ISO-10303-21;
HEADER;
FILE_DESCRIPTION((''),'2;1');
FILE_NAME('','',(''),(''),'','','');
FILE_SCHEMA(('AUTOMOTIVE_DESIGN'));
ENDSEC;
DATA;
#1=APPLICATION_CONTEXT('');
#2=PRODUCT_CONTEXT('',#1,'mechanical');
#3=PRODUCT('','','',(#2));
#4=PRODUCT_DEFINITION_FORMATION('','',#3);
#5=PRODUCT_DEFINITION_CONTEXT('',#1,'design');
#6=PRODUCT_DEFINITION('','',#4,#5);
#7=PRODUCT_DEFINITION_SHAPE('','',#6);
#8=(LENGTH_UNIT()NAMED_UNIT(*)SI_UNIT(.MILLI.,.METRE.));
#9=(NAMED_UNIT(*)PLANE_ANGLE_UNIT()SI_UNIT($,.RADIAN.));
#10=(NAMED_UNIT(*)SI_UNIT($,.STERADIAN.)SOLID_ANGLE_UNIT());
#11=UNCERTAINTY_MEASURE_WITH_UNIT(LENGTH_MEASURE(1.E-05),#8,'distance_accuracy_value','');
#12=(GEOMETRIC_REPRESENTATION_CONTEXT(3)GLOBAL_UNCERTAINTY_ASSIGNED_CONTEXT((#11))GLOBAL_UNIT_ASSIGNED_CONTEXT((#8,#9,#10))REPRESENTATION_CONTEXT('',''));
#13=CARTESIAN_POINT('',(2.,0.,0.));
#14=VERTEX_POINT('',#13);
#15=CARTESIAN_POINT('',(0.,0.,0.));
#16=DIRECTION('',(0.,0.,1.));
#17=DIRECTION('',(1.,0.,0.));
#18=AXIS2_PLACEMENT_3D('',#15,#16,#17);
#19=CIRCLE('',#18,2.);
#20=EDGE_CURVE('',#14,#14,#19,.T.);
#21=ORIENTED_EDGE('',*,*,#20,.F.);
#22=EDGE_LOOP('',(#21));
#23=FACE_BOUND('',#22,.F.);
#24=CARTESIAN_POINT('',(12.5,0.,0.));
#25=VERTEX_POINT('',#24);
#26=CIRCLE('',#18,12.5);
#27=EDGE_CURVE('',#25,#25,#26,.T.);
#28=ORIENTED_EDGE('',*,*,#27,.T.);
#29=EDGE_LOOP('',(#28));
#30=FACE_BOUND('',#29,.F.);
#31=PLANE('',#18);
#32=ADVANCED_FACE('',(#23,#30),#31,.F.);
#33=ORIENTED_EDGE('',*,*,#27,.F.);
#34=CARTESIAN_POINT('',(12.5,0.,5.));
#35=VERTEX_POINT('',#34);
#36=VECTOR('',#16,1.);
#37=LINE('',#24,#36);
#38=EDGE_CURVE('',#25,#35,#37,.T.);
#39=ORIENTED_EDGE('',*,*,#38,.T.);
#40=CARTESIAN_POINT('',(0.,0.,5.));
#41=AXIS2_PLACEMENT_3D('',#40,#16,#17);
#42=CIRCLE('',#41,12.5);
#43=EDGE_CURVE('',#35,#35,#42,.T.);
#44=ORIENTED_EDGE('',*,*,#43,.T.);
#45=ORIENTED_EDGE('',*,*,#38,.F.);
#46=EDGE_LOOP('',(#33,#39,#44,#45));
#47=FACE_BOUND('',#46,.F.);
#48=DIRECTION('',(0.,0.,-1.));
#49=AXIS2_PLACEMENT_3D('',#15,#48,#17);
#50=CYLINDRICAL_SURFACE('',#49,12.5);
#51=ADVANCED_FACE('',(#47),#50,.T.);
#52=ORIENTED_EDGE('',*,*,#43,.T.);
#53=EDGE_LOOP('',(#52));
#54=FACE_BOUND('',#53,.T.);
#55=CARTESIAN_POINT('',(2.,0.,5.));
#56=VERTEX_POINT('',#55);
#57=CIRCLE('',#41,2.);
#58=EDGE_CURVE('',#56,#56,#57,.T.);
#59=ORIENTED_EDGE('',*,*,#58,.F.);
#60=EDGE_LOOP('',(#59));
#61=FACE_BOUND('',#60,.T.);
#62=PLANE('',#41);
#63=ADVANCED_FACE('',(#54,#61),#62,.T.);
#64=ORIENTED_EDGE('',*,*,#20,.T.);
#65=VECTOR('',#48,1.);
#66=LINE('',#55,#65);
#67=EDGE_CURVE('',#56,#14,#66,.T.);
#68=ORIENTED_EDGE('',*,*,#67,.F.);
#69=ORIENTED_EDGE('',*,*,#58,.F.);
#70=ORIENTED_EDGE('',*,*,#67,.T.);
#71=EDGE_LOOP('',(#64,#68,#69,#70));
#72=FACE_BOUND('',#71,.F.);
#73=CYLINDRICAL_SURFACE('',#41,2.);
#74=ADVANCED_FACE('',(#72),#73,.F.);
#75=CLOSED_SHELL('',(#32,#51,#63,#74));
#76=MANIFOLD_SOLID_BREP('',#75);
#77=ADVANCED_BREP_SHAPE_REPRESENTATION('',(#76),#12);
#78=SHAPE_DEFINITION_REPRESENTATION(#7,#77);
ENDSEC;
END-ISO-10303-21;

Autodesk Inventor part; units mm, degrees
ref_plane "YZ Plane" through (0, 0, 0) normal (1, 0, 0) x (0, 1, 0)
ref_plane "XZ Plane" through (0, 0, 0) normal (0, 1, 0) x (-1, 0, 0)
ref_plane "XY Plane" through (0, 0, 0) normal (0, 0, 1) x (1, 0, 0)
sketch "Sketch1" plane through (0, 0, 0) normal (0, 0, 1) x (1, 0, 0)
  circle A0 centre (0, 0) radius 12.5
  dimension "d0" = 25
extrude "Extrusion1" add sketch "Sketch1" along normal blind 5
sketch "Sketch2" plane through (0, 0, 5) normal (0, 0, 1) x (1, 0, 0)
  circle A0 centre (0, 0) radius 12.5 projected
  circle A1 centre (0, 0) radius 2
  dimension "d4" = 4
extrude "Extrusion2" cut sketch "Sketch2" against normal blind 5 contours A1
properties part number "Tension Push washer"
